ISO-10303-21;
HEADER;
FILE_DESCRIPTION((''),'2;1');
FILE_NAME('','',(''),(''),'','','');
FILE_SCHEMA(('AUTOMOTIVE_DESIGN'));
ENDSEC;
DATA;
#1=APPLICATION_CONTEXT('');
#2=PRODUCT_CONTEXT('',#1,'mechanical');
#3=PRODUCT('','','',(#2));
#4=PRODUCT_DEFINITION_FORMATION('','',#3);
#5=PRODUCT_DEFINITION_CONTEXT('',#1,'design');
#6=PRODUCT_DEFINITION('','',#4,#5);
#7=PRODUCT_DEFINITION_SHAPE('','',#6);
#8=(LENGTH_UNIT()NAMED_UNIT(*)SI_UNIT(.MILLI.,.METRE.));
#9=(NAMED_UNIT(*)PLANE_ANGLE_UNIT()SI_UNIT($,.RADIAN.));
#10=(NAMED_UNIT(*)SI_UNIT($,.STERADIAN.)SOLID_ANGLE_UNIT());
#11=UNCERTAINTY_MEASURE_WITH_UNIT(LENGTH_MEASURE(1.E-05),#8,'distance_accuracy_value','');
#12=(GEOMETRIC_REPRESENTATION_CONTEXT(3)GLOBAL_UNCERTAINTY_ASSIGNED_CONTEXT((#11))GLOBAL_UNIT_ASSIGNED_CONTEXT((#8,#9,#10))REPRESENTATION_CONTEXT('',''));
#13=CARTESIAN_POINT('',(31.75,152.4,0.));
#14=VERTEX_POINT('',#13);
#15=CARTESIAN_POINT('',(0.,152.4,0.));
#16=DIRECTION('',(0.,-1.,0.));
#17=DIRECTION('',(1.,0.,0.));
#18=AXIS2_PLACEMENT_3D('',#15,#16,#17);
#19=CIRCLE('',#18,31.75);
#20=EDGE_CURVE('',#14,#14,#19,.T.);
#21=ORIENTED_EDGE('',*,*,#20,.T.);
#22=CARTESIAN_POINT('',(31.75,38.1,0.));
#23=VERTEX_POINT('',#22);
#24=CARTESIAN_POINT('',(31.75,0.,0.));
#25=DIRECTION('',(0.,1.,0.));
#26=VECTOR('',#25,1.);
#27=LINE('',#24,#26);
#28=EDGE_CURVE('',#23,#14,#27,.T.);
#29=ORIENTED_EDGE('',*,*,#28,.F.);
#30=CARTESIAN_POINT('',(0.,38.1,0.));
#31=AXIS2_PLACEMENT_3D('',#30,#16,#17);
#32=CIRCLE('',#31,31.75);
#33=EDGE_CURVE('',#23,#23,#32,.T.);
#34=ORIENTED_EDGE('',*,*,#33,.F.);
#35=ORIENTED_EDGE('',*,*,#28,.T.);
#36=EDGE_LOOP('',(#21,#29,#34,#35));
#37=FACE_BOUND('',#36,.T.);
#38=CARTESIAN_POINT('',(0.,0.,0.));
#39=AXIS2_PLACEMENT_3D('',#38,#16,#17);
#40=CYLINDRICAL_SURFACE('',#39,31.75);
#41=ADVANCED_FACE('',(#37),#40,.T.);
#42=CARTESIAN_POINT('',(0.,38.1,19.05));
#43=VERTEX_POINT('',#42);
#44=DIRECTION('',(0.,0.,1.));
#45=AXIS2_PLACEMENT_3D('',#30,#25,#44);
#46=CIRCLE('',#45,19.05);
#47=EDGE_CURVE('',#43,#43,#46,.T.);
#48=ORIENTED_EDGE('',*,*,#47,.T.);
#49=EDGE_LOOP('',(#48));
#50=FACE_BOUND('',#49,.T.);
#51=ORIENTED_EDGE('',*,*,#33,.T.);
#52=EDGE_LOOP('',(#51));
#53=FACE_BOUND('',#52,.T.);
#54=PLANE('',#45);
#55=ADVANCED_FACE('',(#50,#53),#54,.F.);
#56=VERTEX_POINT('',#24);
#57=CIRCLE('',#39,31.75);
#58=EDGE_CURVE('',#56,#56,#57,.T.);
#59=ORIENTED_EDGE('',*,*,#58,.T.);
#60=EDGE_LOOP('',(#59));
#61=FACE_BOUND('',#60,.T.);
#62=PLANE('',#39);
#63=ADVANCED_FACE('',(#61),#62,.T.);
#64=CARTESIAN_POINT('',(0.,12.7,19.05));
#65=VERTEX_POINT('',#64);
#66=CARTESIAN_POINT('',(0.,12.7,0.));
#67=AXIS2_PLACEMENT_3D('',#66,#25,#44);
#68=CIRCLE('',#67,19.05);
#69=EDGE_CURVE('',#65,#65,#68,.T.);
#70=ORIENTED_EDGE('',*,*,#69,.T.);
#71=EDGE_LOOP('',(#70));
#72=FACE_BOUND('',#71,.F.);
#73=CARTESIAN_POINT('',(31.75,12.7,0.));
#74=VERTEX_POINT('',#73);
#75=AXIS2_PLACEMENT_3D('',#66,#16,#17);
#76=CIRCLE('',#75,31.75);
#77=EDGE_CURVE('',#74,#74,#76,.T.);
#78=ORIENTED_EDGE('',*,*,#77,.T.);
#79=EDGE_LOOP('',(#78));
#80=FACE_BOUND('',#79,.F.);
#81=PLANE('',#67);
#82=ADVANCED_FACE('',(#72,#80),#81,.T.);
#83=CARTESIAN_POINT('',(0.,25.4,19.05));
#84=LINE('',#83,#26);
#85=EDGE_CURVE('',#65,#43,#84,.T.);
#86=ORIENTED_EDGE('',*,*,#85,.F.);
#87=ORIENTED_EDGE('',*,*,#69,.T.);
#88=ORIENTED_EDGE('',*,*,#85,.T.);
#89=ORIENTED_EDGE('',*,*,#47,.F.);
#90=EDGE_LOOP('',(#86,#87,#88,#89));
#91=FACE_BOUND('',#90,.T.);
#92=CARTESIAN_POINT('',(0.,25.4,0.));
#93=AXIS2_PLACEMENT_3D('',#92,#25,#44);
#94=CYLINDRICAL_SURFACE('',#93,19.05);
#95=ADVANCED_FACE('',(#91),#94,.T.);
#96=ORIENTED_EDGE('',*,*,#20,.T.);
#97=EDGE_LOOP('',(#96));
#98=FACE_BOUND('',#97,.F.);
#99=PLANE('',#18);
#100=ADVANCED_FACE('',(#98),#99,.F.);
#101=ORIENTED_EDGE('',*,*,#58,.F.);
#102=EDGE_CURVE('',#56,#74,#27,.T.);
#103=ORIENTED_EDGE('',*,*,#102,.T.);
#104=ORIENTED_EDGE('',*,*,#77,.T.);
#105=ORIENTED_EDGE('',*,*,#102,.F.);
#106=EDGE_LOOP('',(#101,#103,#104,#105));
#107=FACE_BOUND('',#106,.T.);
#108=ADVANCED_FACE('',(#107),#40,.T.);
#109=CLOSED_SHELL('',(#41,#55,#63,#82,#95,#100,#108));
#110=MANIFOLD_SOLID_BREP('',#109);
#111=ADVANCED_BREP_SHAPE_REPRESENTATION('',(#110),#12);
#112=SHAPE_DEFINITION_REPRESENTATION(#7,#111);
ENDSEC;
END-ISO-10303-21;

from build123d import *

# Parameters (mm, degrees)
F0_R     = 31.75
F1_DEPTH = 152.4
F2_W     = 25.4
F2_H     = 12.7


with BuildPart() as f1:
    # F0 (on Front) → F1 (new body)
    with BuildSketch(Plane.XZ):
        Circle(F0_R)
    extrude(amount=-F1_DEPTH)

    # F2 (on Right) → F3 (revolve, cut)
    with BuildSketch(Plane.YZ):
        with Locations((25.4, 25.4)):
            Rectangle(F2_W, F2_H)
    revolve(axis=Axis((0, 76.5412002802, 0), (0, 1, 0)), mode=Mode.SUBTRACT)


solid = f1.part
